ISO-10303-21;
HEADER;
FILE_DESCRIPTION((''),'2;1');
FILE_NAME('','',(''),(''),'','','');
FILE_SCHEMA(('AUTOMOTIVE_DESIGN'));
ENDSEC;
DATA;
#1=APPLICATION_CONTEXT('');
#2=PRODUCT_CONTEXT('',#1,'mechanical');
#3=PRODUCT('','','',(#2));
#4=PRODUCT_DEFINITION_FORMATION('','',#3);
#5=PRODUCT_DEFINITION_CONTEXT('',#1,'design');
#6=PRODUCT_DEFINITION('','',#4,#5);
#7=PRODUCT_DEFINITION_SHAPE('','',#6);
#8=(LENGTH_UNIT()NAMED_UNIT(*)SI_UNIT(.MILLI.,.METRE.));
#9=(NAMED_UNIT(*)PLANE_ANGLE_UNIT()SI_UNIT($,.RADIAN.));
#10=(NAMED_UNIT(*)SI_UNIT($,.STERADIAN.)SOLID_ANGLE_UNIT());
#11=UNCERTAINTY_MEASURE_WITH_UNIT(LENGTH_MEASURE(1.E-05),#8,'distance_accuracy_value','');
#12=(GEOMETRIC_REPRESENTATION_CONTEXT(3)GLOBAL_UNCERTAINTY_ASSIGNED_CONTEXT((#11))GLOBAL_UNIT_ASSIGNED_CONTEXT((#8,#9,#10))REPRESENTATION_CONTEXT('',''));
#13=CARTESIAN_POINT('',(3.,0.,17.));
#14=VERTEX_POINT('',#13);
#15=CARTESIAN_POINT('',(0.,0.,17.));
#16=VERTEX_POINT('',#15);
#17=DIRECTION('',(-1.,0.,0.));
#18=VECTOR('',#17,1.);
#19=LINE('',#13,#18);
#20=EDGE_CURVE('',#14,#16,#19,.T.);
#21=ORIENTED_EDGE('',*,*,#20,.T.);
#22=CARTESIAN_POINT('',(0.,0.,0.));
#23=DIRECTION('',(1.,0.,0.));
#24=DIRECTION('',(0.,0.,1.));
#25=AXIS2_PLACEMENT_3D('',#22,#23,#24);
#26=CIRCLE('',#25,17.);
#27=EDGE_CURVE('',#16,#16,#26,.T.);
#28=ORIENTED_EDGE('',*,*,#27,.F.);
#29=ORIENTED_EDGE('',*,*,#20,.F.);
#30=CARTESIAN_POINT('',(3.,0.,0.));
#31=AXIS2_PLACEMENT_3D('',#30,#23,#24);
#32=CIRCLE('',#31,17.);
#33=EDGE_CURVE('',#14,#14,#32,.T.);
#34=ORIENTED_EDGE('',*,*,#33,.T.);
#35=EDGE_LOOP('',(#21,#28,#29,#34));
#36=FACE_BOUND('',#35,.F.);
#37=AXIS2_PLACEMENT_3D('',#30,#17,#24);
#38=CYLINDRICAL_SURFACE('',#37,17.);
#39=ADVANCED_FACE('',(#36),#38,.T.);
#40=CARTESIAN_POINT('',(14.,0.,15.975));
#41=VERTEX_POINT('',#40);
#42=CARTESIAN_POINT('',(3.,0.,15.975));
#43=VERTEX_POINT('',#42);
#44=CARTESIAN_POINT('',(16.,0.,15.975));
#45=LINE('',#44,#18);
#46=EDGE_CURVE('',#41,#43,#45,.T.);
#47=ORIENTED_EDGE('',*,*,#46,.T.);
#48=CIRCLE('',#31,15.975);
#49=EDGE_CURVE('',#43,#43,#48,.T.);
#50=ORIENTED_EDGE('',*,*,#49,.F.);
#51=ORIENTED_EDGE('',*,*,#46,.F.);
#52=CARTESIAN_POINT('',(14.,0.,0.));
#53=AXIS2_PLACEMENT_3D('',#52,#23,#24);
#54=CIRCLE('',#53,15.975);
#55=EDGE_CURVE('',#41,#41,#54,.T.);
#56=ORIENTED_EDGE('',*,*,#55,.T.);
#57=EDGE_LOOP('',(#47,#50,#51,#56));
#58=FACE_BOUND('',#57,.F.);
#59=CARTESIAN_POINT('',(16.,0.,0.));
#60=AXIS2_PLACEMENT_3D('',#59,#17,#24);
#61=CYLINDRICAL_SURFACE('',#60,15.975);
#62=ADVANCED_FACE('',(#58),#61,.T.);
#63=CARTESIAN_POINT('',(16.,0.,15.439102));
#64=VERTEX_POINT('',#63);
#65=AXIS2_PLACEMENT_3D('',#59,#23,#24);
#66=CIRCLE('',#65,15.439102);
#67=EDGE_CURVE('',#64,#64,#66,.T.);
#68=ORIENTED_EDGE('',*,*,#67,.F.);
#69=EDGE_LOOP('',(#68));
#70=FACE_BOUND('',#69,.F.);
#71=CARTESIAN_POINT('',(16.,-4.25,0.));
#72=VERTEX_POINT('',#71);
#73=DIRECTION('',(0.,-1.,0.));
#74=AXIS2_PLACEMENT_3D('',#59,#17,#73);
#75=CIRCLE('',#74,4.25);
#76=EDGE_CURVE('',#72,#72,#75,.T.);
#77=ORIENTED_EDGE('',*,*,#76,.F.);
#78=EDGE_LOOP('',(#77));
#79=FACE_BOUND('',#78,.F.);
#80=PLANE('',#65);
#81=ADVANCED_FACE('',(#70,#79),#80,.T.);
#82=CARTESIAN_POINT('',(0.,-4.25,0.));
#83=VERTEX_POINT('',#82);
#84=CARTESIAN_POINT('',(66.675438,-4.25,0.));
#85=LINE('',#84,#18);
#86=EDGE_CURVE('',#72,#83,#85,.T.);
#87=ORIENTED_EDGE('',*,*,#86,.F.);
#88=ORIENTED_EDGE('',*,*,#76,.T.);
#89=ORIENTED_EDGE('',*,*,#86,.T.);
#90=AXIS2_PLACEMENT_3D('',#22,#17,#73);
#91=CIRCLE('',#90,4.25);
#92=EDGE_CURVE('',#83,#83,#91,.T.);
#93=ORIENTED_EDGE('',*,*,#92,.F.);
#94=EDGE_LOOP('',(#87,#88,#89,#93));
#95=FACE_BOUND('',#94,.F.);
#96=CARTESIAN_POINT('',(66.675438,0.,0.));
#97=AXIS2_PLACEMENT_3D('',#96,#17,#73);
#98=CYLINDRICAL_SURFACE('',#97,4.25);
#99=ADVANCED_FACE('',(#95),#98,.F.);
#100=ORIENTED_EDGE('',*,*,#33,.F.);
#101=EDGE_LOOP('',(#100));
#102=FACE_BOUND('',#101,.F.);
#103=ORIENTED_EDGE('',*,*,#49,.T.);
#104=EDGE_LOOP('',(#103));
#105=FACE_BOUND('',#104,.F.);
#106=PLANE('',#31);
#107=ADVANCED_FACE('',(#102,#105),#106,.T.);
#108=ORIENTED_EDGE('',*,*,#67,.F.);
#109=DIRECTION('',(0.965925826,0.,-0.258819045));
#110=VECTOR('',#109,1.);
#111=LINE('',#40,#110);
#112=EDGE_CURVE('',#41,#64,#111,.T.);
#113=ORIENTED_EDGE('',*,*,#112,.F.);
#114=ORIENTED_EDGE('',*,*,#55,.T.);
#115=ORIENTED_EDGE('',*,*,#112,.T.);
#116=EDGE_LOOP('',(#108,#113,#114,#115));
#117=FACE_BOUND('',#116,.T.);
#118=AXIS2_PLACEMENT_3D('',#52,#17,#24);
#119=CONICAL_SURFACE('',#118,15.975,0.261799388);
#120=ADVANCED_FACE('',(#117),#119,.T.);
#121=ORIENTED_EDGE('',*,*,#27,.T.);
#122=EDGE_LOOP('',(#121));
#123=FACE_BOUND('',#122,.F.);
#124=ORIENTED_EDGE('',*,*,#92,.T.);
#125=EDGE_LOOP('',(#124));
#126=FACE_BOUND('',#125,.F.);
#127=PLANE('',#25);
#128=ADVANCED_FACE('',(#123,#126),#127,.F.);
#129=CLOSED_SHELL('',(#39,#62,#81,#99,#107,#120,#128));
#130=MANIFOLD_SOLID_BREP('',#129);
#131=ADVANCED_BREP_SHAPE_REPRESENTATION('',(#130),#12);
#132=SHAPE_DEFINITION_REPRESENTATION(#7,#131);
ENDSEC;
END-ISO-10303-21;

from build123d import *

# Parameters (mm, degrees)
F3_D     = 8.5
F4_SIZE2 = 0.5358983849
F4_SIZE  = 2


with BuildPart() as f1:
    # F0 (on Front) → F1 (revolve)
    with BuildSketch(Plane.XZ):
        Polygon((0, 17), (0, 0), (16, 0), (16, 15.975), (3, 15.975), (3, 17), align=None)
    revolve(axis=Axis((8, 0, 0), (1, 0, 0)))

    # F3 (through all)
    with Locations(Plane.YZ.offset(16)):
        with Locations((0, 0)):
            Hole(F3_D / 2)

    # F4
    f4_edges = [f1.edges().sort_by_distance(p)[0] for p in [
        (16, 0, -15.975),
    ]]
    f4_side = f1.faces().sort_by_distance((9.5, 0, -15.975))[0]
    chamfer(f4_edges, length=F4_SIZE, length2=F4_SIZE2, reference=f4_side)


solid = f1.part
